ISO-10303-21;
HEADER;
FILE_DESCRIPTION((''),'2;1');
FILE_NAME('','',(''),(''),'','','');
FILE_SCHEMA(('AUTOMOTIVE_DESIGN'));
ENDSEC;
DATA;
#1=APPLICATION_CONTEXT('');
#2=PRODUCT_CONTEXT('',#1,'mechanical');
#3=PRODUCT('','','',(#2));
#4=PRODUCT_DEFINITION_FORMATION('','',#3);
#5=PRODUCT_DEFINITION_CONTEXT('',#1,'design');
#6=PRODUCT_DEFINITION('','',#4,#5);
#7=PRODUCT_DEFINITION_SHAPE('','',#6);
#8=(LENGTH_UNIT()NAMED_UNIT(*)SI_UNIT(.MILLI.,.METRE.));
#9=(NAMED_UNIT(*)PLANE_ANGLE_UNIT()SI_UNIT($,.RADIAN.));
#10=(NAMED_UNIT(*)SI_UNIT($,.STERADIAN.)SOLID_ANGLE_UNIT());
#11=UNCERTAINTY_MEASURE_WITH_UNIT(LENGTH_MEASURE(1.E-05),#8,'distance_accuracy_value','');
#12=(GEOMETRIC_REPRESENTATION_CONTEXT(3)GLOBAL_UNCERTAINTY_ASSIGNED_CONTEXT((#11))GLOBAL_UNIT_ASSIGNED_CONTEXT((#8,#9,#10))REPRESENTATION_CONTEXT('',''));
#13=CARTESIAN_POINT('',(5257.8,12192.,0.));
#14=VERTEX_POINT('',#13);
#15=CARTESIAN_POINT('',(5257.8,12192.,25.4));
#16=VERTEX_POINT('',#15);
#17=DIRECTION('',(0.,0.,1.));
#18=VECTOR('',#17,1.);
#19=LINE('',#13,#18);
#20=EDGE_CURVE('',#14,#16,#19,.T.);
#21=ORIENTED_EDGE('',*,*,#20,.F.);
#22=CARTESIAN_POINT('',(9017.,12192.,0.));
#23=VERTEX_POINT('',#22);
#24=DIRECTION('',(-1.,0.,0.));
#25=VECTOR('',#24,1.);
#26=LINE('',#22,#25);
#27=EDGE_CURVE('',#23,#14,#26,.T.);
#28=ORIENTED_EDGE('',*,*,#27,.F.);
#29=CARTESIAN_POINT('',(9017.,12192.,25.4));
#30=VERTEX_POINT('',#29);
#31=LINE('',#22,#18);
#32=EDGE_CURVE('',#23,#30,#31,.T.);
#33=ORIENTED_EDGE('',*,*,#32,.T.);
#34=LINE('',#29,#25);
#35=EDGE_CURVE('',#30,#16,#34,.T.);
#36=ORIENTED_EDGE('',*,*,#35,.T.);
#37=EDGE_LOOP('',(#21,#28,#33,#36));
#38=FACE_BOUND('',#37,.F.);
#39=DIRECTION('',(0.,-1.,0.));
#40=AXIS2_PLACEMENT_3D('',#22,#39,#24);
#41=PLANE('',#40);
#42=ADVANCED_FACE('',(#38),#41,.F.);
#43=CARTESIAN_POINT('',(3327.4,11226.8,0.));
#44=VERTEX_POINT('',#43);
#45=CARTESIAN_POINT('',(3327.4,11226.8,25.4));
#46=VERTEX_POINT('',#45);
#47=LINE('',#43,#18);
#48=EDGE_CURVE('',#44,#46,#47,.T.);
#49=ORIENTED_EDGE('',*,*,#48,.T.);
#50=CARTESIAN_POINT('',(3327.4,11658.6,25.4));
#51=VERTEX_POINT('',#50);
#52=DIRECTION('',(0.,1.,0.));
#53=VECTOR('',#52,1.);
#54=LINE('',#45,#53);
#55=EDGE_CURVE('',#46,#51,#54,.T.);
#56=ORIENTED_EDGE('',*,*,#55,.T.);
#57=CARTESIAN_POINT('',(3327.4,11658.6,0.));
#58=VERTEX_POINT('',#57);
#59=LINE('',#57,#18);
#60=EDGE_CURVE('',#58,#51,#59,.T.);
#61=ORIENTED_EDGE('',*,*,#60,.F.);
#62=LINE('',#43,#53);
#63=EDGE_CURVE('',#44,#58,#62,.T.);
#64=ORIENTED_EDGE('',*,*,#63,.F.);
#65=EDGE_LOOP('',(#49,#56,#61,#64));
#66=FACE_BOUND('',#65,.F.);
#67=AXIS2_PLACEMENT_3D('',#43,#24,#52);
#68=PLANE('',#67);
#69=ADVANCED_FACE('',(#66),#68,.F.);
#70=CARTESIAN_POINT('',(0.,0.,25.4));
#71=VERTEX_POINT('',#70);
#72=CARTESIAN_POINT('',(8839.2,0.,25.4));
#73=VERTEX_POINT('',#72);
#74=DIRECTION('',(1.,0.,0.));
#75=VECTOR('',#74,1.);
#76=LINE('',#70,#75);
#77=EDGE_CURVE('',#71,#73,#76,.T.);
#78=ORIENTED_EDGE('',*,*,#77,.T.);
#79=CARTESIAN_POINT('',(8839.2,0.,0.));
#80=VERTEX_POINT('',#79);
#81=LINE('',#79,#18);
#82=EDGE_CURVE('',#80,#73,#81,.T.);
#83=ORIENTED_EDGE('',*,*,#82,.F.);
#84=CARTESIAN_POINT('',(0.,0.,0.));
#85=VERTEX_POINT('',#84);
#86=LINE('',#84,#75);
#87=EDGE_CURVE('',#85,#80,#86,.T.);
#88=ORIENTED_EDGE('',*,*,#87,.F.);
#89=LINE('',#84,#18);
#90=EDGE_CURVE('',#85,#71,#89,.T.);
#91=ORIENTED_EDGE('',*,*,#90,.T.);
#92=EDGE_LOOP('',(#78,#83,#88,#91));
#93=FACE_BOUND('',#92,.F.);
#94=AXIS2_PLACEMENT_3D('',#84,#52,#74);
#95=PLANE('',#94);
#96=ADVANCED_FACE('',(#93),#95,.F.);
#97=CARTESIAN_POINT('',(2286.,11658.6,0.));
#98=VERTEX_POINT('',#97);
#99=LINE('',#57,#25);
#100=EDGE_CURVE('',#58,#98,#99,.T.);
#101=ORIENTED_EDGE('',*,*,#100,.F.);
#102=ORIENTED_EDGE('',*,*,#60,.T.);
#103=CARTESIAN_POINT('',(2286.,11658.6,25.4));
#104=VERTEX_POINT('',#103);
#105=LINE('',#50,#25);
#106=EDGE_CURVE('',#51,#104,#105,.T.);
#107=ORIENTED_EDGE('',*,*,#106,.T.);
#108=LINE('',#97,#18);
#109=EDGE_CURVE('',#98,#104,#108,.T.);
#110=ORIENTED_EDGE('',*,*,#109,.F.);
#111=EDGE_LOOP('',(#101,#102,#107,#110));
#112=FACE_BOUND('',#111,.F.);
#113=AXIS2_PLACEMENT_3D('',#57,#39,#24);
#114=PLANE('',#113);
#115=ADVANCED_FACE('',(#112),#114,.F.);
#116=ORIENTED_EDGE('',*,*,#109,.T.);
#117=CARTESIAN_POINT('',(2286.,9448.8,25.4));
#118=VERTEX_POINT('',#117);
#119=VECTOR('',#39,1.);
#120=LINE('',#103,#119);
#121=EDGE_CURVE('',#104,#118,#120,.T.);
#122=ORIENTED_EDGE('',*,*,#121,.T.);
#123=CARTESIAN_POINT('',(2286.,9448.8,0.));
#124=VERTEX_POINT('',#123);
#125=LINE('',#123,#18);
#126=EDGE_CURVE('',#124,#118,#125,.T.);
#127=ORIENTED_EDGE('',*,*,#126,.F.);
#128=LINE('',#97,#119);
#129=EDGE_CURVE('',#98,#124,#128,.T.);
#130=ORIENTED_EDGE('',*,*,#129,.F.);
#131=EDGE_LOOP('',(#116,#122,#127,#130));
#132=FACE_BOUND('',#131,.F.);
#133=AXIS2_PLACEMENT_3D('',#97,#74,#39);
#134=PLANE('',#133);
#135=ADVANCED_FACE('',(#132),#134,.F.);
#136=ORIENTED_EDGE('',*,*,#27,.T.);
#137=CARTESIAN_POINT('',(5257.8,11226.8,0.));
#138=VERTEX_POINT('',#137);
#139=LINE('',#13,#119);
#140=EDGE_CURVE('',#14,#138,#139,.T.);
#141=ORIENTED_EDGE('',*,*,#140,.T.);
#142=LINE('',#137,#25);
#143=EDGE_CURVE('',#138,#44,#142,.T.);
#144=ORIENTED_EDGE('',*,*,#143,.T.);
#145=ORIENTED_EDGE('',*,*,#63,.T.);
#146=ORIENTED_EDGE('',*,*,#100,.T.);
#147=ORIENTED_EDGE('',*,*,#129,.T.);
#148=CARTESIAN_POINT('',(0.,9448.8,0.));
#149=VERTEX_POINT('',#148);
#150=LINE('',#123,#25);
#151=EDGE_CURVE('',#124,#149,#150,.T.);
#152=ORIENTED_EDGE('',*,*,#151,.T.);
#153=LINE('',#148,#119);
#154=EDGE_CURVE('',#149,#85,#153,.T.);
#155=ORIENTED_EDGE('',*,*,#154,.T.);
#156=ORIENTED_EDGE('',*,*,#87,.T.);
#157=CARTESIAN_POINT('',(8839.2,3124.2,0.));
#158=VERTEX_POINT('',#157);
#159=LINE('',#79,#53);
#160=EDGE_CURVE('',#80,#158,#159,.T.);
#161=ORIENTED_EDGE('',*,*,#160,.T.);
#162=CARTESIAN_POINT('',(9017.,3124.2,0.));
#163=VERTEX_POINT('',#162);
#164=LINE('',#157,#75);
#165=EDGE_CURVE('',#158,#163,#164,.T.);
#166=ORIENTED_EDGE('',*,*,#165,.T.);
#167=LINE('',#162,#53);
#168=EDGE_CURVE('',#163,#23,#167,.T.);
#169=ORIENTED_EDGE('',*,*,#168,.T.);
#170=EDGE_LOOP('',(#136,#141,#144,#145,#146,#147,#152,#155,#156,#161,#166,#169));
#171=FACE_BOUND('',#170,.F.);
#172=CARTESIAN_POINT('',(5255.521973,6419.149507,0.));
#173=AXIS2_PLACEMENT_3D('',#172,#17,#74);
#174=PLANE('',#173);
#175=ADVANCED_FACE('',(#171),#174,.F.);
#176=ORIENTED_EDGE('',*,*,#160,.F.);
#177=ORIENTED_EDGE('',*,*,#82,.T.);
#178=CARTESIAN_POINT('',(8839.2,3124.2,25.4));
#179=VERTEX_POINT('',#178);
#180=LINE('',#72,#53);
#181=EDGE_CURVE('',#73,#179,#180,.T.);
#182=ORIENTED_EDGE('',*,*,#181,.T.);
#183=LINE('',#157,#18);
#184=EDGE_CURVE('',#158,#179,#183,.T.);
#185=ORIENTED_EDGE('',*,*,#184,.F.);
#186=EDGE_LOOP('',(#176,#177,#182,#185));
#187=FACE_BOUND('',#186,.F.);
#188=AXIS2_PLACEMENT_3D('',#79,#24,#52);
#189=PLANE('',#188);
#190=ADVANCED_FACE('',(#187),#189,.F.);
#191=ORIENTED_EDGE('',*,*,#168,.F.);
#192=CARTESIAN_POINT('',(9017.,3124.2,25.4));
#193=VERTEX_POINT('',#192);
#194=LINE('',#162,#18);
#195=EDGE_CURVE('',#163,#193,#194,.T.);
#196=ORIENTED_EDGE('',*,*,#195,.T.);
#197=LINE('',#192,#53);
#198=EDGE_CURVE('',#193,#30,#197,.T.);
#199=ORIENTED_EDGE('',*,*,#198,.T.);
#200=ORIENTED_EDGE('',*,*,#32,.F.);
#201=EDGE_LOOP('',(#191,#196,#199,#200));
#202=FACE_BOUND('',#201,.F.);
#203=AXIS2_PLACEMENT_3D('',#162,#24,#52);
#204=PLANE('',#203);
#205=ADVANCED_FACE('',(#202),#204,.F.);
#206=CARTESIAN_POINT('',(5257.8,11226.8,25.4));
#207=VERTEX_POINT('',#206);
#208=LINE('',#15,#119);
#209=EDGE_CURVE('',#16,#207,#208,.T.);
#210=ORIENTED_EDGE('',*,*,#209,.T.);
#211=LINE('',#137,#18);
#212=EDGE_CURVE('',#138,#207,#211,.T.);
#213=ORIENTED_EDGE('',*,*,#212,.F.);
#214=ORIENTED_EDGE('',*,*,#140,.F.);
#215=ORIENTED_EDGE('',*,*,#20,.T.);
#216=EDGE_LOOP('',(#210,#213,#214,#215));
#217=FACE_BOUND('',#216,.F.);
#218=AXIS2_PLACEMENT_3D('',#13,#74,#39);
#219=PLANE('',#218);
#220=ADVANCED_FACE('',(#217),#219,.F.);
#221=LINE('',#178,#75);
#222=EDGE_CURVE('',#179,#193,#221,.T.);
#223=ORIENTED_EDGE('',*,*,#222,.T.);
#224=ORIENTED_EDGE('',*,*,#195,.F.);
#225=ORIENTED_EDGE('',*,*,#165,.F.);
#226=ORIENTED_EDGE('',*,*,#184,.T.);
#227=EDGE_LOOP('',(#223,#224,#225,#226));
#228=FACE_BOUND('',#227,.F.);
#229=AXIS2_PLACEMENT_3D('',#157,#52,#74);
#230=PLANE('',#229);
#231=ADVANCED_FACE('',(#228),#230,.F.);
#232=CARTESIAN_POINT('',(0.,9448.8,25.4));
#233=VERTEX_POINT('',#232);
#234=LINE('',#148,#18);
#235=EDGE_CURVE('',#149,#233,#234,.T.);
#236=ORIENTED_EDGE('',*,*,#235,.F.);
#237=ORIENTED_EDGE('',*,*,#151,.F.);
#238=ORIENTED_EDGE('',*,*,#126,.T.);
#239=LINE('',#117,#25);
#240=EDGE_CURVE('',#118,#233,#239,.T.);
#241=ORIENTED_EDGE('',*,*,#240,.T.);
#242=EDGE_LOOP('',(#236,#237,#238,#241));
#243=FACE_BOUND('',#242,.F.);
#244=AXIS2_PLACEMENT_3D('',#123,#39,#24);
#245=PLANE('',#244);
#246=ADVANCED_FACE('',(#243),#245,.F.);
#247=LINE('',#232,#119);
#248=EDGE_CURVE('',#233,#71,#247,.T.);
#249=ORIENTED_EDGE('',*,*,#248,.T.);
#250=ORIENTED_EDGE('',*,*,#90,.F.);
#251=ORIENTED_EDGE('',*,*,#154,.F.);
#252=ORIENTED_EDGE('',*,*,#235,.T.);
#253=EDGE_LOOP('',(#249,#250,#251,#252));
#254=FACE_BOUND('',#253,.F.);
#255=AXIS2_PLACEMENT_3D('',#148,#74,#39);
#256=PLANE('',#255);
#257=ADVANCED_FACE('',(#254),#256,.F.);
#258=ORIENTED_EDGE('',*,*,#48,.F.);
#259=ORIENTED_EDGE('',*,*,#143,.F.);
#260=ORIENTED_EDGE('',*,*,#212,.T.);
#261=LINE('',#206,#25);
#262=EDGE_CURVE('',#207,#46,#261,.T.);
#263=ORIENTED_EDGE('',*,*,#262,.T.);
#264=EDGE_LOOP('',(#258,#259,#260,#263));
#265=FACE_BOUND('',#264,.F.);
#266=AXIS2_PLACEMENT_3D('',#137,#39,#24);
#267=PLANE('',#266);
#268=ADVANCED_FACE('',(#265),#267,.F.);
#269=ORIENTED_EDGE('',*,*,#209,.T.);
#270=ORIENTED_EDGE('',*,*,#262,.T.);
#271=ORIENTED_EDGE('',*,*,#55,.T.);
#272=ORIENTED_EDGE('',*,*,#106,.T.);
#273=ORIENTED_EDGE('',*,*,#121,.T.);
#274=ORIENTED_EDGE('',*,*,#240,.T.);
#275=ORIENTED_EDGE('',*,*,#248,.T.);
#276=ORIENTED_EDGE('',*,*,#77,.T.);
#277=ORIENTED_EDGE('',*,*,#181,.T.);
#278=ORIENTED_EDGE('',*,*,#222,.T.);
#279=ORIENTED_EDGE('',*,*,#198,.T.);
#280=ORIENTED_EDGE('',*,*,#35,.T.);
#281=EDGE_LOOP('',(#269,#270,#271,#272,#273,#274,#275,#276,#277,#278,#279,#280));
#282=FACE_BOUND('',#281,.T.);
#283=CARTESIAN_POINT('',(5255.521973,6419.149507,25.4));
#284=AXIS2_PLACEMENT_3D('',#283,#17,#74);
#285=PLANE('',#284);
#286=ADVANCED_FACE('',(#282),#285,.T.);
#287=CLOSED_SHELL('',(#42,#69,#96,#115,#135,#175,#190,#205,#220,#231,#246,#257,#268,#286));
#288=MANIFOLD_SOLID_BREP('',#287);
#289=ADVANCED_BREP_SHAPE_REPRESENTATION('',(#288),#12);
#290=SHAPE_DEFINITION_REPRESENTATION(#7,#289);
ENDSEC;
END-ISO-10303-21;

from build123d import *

# Parameters (mm, degrees)
F0_W     = 889
F0_H     = 1651
F0_H_2   = 914.4
F1_DEPTH = 25.4


with BuildPart() as f1:
    # F0 (on Top) → F1 (new body)
    with BuildSketch(Plane.XY):
        Polygon((0, 6604), (0, 0), (4749.8, 0), (8839.2, 0), (8839.2, 3124.2), (7289.8, 3124.2), (7289.8, 4013.2), (9017, 4013.2), (9017, 5638.8), (8356.6, 5638.8), (8356.6, 7747), (6451.6, 7747), (6451.6, 8407.4), (6451.6, 9321.8), (6451.6, 10972.8), (7340.6, 10972.8), (7340.6, 9321.8), (7340.6, 8407.4), (9017, 8407.4), (9017, 10972.8), (9017, 12192), (8077.2, 12192), (5257.8, 12192), (5257.8, 11226.8), (3327.4, 11226.8), (3327.4, 11658.6), (2286, 11658.6), (2286, 9448.8), (0, 9448.8), align=None)
        Polygon((5257.8, 8432.8), (4038.6, 8432.8), (4038.6, 8305.8), (3784.6, 8305.8), (3784.6, 9448.8), (5257.8, 9448.8), align=None, mode=Mode.SUBTRACT)
        Polygon((4038.6, 8305.8), (4038.6, 8432.8), (5257.8, 8432.8), (5257.8, 9448.8), (3784.6, 9448.8), (3784.6, 8305.8), align=None)
        with Locations((6896.1, 10147.3)):
            Rectangle(F0_W, F0_H)
        with Locations((6896.1, 8864.6)):
            Rectangle(F0_W, F0_H_2)
        Polygon((8356.6, 5638.8), (9017, 5638.8), (9017, 8407.4), (7340.6, 8407.4), (6451.6, 8407.4), (6451.6, 7747), (8356.6, 7747), align=None)
        Polygon((7289.8, 3124.2), (8839.2, 3124.2), (9017, 3124.2), (9017, 4013.2), (7289.8, 4013.2), align=None)
    extrude(amount=F1_DEPTH)


solid = f1.part
